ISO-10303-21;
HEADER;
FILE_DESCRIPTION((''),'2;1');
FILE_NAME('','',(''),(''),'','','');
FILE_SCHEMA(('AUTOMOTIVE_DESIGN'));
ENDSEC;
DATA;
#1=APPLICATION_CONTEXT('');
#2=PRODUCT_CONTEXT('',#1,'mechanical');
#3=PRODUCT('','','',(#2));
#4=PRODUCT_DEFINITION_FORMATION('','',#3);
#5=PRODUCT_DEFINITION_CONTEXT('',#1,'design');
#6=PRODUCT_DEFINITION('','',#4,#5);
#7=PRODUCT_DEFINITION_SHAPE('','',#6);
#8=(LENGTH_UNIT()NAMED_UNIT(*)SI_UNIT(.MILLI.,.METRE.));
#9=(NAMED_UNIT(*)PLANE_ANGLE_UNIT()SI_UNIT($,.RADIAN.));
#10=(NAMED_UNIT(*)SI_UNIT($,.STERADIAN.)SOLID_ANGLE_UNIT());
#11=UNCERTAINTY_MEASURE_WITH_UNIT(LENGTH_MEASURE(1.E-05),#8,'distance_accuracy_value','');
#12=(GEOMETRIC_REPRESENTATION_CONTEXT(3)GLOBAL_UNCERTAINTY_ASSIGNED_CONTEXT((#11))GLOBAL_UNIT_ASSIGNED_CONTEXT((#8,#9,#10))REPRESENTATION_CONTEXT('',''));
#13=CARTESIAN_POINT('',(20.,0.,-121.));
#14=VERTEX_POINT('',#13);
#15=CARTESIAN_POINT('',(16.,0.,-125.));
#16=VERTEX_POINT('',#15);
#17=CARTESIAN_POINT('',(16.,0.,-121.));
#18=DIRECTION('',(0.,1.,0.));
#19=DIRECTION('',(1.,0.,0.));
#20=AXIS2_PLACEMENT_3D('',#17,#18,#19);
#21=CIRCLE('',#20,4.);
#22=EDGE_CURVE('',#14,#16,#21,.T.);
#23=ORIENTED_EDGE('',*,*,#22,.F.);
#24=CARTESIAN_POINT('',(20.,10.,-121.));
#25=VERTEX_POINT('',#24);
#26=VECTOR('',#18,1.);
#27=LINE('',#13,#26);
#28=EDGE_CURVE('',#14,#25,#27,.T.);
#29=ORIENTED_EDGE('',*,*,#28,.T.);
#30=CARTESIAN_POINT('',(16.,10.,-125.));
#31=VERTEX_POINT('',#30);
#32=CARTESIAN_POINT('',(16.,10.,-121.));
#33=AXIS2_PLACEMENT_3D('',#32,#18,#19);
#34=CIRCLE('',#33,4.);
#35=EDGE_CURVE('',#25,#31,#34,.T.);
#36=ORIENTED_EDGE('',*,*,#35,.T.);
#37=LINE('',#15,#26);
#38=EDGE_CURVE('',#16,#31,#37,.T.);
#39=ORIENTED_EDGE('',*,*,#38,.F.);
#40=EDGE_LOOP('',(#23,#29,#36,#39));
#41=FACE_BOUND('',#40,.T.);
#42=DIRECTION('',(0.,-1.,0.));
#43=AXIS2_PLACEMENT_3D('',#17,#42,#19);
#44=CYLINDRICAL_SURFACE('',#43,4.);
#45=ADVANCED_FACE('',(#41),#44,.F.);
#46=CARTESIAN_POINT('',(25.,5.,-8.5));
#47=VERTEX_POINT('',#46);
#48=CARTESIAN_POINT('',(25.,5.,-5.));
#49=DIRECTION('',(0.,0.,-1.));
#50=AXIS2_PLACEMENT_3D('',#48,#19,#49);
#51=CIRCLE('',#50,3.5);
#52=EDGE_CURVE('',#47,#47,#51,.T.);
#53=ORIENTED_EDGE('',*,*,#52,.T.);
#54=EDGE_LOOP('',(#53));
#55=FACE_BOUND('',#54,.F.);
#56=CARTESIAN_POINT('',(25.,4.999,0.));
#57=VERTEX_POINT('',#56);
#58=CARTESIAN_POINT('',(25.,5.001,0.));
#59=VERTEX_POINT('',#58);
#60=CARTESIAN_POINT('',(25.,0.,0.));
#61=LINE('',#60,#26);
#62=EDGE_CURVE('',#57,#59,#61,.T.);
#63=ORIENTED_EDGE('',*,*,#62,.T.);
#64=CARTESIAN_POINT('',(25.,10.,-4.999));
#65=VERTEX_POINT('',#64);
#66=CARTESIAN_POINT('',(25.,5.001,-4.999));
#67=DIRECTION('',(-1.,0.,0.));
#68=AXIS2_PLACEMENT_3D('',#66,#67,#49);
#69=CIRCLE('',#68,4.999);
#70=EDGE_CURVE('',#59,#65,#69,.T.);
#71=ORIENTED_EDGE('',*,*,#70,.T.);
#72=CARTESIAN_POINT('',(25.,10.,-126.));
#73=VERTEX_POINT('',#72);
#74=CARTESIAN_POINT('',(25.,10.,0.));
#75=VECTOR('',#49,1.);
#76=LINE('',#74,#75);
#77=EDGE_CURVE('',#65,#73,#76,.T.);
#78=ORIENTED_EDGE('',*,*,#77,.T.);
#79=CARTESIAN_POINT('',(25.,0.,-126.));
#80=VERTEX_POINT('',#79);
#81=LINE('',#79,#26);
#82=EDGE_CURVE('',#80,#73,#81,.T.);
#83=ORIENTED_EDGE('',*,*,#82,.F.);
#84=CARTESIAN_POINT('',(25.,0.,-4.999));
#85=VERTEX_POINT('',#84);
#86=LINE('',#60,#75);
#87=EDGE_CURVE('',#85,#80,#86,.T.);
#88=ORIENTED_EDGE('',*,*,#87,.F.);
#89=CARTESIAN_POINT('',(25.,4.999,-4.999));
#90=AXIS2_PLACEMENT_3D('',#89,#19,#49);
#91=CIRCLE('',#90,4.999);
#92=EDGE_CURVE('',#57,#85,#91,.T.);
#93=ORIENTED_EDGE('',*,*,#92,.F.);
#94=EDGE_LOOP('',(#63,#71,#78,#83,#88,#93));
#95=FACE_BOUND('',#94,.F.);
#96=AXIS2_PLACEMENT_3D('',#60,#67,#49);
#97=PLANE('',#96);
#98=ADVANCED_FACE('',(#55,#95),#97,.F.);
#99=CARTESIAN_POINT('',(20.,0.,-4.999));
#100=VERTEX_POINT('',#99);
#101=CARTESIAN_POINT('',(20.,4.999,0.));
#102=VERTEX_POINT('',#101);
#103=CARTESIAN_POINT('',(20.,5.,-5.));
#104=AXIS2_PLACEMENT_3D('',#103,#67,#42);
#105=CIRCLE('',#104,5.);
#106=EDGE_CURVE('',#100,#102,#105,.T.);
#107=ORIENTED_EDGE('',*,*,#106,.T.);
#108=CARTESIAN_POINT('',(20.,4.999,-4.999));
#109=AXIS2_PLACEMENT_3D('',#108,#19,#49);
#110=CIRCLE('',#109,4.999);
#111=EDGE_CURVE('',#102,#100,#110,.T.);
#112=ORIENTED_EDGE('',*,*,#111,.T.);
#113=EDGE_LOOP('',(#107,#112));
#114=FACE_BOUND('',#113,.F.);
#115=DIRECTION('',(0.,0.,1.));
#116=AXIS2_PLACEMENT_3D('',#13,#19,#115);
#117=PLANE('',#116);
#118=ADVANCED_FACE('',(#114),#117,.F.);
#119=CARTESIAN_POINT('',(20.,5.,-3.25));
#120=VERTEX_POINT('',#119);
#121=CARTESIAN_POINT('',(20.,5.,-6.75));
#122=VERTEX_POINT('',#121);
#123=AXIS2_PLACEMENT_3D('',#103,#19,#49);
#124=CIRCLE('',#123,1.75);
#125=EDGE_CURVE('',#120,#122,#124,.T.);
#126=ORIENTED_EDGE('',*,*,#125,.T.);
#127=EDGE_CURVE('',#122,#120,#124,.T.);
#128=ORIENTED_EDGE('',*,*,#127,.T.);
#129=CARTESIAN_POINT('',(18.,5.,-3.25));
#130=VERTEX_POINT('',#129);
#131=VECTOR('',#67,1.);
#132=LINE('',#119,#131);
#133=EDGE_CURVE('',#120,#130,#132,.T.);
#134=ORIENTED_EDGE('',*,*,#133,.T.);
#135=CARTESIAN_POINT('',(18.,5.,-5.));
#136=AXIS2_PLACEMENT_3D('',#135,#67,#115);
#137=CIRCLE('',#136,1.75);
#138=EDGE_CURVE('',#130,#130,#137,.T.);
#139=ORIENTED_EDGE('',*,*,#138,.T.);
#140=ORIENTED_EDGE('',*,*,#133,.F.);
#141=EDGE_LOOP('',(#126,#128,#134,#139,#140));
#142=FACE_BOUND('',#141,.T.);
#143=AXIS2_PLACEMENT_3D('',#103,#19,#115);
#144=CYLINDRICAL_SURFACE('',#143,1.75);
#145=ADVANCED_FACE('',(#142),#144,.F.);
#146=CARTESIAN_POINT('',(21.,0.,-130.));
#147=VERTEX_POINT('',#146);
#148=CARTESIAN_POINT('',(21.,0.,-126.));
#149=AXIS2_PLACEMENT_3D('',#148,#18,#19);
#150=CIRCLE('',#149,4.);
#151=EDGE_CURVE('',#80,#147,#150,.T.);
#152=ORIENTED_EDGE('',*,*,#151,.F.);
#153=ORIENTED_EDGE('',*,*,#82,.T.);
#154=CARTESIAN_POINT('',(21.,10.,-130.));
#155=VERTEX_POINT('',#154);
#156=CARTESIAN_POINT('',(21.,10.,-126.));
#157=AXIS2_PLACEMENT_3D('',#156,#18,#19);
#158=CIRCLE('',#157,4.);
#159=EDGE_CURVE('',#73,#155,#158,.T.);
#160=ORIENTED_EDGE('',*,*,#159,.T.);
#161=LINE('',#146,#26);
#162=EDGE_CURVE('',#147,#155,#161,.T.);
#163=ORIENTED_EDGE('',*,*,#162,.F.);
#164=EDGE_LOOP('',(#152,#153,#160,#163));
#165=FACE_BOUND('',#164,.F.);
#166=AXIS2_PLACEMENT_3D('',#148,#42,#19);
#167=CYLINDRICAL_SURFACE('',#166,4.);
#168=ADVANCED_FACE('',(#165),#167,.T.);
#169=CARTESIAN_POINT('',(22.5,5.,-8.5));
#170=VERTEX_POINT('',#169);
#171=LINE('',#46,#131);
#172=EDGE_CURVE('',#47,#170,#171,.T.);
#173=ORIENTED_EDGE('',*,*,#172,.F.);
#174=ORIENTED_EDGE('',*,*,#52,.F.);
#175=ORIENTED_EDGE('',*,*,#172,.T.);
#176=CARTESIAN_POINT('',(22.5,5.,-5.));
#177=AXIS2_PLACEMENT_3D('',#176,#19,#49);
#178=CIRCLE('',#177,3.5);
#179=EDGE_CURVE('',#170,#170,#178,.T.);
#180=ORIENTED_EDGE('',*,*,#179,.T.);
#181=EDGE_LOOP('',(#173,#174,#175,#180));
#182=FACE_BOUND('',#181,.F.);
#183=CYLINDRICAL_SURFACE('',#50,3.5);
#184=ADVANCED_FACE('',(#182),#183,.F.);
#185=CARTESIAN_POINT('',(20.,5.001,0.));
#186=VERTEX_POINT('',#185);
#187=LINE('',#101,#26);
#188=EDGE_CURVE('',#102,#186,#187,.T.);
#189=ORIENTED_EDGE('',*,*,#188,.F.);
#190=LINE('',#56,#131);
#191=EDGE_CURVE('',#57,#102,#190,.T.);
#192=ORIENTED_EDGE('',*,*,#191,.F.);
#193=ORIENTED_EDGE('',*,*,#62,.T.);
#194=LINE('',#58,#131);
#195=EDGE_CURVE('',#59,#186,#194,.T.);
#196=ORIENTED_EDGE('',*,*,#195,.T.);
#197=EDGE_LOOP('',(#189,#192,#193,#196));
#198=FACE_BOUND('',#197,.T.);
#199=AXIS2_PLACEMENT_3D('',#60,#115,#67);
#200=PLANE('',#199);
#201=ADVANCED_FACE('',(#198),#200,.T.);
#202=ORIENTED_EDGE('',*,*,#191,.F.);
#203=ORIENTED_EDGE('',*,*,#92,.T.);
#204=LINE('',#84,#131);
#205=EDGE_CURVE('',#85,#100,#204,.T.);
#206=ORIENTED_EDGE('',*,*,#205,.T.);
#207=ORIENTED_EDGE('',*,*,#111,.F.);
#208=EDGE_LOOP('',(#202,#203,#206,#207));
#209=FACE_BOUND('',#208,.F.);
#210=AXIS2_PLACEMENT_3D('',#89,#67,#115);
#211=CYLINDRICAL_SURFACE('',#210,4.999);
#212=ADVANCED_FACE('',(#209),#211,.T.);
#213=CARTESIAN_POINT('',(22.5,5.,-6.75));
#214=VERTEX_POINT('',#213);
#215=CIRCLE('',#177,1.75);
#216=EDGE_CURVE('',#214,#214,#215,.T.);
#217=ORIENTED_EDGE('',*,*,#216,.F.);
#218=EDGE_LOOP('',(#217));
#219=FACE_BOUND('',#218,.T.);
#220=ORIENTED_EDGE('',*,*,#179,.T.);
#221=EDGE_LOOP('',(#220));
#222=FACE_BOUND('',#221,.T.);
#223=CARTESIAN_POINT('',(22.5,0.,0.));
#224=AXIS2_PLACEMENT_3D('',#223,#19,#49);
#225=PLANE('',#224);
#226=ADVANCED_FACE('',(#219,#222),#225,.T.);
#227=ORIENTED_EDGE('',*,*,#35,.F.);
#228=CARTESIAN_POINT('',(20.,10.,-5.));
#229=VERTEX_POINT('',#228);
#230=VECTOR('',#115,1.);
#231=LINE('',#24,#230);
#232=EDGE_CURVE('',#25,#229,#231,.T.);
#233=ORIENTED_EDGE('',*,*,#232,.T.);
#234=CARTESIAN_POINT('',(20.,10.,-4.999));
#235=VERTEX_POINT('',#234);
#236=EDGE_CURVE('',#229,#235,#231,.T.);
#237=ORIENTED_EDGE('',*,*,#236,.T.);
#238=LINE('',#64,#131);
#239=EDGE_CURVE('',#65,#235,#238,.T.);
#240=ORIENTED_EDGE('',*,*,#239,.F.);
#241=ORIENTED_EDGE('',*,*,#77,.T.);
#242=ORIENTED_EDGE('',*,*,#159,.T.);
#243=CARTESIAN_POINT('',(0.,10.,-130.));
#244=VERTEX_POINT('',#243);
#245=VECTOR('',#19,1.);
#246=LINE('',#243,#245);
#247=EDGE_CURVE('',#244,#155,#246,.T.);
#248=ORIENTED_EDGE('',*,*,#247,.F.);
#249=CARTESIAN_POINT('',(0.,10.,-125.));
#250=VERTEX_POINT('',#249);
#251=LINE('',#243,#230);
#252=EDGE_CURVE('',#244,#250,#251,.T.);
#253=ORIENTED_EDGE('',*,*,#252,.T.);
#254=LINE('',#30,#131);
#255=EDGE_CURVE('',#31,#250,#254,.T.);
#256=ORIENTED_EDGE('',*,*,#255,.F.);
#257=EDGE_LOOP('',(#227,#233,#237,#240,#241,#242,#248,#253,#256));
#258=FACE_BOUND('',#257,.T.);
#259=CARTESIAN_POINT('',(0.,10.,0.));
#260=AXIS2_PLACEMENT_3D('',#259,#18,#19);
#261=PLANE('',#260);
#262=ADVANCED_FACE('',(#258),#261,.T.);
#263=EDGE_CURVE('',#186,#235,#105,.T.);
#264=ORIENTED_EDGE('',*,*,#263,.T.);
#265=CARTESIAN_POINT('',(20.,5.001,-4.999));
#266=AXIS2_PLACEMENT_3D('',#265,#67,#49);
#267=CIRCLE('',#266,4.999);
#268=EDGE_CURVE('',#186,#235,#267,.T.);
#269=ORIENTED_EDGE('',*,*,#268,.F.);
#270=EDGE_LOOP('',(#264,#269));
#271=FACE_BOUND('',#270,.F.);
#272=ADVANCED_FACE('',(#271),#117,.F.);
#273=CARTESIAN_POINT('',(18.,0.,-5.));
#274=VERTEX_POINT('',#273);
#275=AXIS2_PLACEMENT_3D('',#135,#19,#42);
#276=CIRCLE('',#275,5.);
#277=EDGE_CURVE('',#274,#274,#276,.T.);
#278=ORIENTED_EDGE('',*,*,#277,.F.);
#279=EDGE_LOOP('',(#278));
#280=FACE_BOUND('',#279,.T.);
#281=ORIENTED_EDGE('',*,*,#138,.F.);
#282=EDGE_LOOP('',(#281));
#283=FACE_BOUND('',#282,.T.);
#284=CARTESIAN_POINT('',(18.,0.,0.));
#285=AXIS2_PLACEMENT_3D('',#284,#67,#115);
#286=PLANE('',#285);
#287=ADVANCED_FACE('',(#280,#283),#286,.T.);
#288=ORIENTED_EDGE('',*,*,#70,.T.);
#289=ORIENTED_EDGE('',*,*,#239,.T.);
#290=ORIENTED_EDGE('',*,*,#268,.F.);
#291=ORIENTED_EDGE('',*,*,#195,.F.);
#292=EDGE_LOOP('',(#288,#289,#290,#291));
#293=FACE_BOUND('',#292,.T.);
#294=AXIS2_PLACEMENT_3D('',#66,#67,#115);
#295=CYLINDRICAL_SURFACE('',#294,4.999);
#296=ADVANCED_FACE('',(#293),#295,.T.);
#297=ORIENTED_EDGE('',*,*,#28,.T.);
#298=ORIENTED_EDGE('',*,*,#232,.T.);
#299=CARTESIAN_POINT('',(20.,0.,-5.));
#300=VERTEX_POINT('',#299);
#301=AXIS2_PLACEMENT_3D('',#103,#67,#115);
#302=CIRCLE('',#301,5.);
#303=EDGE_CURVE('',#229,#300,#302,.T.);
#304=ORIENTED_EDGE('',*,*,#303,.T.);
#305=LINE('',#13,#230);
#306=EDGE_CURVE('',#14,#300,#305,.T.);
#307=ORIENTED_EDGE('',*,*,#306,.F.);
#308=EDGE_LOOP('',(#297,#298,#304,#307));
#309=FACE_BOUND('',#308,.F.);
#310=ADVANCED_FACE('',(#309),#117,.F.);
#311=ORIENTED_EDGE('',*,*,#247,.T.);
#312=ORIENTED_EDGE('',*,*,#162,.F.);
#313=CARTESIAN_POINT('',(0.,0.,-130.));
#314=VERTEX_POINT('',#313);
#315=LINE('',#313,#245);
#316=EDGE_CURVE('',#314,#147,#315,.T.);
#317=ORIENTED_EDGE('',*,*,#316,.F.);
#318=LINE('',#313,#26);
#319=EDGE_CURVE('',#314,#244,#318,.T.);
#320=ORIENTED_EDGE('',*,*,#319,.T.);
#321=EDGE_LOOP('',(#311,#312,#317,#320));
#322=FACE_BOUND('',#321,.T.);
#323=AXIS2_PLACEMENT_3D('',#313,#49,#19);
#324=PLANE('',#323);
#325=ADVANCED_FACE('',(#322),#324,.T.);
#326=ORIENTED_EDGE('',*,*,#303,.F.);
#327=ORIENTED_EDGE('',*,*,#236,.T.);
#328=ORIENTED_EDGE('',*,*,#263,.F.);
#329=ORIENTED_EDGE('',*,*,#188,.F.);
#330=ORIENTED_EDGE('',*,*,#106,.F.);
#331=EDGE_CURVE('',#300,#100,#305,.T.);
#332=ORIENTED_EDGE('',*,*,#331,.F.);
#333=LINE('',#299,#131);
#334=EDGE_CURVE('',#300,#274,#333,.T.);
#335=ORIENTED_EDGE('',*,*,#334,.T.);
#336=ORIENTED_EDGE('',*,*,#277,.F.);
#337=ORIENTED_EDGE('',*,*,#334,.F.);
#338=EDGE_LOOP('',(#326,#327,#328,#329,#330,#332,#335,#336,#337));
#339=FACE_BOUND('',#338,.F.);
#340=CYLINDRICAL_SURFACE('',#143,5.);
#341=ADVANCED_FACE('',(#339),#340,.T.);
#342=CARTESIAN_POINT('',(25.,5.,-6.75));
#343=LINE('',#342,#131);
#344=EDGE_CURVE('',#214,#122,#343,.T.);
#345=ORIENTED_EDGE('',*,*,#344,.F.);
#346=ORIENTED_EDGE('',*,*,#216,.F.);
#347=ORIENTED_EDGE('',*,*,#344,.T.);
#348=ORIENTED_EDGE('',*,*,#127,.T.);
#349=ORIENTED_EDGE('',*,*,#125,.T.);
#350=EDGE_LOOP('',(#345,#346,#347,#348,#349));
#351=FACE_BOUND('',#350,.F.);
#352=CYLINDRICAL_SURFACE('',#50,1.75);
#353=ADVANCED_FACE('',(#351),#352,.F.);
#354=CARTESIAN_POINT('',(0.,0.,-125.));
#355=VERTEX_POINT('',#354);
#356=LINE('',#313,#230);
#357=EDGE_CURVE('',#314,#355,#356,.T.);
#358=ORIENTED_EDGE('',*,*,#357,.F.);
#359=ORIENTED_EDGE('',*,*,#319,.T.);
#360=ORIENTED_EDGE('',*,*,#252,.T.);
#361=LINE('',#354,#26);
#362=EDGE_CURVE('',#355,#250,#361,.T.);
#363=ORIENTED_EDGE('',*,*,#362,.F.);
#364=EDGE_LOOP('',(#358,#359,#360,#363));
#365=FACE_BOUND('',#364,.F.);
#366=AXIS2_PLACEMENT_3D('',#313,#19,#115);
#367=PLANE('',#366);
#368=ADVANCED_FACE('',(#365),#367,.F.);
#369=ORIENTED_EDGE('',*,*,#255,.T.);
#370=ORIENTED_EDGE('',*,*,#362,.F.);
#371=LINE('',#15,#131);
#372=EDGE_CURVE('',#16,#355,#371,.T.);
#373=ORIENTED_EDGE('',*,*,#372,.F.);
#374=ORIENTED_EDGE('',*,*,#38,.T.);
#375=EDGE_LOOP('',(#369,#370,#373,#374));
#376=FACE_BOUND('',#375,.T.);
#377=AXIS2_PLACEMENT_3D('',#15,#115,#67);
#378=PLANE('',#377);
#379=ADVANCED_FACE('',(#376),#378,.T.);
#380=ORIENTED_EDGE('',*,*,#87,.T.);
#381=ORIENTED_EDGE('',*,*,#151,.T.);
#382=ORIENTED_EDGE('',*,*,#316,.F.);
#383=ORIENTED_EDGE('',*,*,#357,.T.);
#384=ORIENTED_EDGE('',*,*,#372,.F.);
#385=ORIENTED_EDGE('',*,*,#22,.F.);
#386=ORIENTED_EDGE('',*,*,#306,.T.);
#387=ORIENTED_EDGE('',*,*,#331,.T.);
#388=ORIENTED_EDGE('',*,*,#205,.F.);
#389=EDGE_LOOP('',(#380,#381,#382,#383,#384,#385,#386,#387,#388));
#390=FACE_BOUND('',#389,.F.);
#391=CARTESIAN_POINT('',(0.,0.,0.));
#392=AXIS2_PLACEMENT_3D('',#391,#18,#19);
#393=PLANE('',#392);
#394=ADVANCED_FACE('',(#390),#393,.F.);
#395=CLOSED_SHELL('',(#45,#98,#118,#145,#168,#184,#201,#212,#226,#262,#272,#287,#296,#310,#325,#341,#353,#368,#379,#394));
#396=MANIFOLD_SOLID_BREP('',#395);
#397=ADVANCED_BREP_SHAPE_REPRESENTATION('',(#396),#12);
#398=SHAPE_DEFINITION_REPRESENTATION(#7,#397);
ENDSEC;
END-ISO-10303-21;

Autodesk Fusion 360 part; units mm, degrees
sketch "Sketch1" plane through (0, 0, 0) normal (0, 1, 0) x (1, 0, 0)
  line L0 (0, 0) -> (25, 0) construction
  line L1 (25, 0) -> (25, 130) construction
  line L2 (25, 130) -> (0, 130) construction
  line L3 (0, 130) -> (0, 0) construction
  line L4 (25, 0) -> (20, 0)
  line L5 (0, 130) -> (0, 125)
  line L6 (20, 121) -> (20, 0)
  line L7 (25, 0) -> (25, 126)
  line L8 (0, 130) -> (21, 130)
  line L9 (16, 125) -> (0, 125)
  arc A0 (20, 121) -> (16, 125) centre (16, 121) ccw
  arc A1 (25, 126) -> (21, 130) centre (21, 126) ccw
  dimension "d1" = 25
  dimension "d2" = 130
  dimension "d3" = 5
  dimension "d4" = 4
  dimension "d5" = 4
  dimension "d18" = 5
extrude "Extrude1" add sketch "Sketch1" along normal blind 10
fillet "Fillet1" radius 5 2 edges at (22.5, 10, 0) (22.5, 0, 0)
sketch "Sketch2" plane through (25, 0, 0) normal (1, 0, 0) x (0, 0, -1)
  arc A0 (5, 10) -> (5, 0) centre (5, 5) ccw
  line L0 (5, 0) -> (126, 0)
  line L1 (126, 0) -> (126, 10)
  line L2 (126, 10) -> (5, 10)
  line L3 (0, 5) -> (5, 5) construction
  circle A1 centre (5, 5) radius 1.75
  circle A2 centre (5, 5) radius 3.5
  dimension "d9" = 5
  dimension "d10" = 3.5
  dimension "d11" = 7
extrude "Extrude2" cut sketch "Sketch2" against normal up to surface (5 mm away) contours A1
extrude "Extrude3" cut sketch "Sketch2" against normal blind 2.5 contours A2
sketch "Sketch3" plane through (20, 0, 0) normal (-1, 0, 0) x (0, 0, 1)
  circle A0 centre (-5, 5) radius 1.75
  arc A1 (-5, 0) -> (-5, 10) centre (-5, 5) ccw
  line L0 (-5, 10) -> (-121, 10)
  line L1 (-121, 10) -> (-121, 0)
  line L2 (-121, 0) -> (-5, 0)
  circle A2 centre (-5, 5) radius 5
extrude "Extrude4" add sketch "Sketch3" along normal blind 2 contours A1 A2
